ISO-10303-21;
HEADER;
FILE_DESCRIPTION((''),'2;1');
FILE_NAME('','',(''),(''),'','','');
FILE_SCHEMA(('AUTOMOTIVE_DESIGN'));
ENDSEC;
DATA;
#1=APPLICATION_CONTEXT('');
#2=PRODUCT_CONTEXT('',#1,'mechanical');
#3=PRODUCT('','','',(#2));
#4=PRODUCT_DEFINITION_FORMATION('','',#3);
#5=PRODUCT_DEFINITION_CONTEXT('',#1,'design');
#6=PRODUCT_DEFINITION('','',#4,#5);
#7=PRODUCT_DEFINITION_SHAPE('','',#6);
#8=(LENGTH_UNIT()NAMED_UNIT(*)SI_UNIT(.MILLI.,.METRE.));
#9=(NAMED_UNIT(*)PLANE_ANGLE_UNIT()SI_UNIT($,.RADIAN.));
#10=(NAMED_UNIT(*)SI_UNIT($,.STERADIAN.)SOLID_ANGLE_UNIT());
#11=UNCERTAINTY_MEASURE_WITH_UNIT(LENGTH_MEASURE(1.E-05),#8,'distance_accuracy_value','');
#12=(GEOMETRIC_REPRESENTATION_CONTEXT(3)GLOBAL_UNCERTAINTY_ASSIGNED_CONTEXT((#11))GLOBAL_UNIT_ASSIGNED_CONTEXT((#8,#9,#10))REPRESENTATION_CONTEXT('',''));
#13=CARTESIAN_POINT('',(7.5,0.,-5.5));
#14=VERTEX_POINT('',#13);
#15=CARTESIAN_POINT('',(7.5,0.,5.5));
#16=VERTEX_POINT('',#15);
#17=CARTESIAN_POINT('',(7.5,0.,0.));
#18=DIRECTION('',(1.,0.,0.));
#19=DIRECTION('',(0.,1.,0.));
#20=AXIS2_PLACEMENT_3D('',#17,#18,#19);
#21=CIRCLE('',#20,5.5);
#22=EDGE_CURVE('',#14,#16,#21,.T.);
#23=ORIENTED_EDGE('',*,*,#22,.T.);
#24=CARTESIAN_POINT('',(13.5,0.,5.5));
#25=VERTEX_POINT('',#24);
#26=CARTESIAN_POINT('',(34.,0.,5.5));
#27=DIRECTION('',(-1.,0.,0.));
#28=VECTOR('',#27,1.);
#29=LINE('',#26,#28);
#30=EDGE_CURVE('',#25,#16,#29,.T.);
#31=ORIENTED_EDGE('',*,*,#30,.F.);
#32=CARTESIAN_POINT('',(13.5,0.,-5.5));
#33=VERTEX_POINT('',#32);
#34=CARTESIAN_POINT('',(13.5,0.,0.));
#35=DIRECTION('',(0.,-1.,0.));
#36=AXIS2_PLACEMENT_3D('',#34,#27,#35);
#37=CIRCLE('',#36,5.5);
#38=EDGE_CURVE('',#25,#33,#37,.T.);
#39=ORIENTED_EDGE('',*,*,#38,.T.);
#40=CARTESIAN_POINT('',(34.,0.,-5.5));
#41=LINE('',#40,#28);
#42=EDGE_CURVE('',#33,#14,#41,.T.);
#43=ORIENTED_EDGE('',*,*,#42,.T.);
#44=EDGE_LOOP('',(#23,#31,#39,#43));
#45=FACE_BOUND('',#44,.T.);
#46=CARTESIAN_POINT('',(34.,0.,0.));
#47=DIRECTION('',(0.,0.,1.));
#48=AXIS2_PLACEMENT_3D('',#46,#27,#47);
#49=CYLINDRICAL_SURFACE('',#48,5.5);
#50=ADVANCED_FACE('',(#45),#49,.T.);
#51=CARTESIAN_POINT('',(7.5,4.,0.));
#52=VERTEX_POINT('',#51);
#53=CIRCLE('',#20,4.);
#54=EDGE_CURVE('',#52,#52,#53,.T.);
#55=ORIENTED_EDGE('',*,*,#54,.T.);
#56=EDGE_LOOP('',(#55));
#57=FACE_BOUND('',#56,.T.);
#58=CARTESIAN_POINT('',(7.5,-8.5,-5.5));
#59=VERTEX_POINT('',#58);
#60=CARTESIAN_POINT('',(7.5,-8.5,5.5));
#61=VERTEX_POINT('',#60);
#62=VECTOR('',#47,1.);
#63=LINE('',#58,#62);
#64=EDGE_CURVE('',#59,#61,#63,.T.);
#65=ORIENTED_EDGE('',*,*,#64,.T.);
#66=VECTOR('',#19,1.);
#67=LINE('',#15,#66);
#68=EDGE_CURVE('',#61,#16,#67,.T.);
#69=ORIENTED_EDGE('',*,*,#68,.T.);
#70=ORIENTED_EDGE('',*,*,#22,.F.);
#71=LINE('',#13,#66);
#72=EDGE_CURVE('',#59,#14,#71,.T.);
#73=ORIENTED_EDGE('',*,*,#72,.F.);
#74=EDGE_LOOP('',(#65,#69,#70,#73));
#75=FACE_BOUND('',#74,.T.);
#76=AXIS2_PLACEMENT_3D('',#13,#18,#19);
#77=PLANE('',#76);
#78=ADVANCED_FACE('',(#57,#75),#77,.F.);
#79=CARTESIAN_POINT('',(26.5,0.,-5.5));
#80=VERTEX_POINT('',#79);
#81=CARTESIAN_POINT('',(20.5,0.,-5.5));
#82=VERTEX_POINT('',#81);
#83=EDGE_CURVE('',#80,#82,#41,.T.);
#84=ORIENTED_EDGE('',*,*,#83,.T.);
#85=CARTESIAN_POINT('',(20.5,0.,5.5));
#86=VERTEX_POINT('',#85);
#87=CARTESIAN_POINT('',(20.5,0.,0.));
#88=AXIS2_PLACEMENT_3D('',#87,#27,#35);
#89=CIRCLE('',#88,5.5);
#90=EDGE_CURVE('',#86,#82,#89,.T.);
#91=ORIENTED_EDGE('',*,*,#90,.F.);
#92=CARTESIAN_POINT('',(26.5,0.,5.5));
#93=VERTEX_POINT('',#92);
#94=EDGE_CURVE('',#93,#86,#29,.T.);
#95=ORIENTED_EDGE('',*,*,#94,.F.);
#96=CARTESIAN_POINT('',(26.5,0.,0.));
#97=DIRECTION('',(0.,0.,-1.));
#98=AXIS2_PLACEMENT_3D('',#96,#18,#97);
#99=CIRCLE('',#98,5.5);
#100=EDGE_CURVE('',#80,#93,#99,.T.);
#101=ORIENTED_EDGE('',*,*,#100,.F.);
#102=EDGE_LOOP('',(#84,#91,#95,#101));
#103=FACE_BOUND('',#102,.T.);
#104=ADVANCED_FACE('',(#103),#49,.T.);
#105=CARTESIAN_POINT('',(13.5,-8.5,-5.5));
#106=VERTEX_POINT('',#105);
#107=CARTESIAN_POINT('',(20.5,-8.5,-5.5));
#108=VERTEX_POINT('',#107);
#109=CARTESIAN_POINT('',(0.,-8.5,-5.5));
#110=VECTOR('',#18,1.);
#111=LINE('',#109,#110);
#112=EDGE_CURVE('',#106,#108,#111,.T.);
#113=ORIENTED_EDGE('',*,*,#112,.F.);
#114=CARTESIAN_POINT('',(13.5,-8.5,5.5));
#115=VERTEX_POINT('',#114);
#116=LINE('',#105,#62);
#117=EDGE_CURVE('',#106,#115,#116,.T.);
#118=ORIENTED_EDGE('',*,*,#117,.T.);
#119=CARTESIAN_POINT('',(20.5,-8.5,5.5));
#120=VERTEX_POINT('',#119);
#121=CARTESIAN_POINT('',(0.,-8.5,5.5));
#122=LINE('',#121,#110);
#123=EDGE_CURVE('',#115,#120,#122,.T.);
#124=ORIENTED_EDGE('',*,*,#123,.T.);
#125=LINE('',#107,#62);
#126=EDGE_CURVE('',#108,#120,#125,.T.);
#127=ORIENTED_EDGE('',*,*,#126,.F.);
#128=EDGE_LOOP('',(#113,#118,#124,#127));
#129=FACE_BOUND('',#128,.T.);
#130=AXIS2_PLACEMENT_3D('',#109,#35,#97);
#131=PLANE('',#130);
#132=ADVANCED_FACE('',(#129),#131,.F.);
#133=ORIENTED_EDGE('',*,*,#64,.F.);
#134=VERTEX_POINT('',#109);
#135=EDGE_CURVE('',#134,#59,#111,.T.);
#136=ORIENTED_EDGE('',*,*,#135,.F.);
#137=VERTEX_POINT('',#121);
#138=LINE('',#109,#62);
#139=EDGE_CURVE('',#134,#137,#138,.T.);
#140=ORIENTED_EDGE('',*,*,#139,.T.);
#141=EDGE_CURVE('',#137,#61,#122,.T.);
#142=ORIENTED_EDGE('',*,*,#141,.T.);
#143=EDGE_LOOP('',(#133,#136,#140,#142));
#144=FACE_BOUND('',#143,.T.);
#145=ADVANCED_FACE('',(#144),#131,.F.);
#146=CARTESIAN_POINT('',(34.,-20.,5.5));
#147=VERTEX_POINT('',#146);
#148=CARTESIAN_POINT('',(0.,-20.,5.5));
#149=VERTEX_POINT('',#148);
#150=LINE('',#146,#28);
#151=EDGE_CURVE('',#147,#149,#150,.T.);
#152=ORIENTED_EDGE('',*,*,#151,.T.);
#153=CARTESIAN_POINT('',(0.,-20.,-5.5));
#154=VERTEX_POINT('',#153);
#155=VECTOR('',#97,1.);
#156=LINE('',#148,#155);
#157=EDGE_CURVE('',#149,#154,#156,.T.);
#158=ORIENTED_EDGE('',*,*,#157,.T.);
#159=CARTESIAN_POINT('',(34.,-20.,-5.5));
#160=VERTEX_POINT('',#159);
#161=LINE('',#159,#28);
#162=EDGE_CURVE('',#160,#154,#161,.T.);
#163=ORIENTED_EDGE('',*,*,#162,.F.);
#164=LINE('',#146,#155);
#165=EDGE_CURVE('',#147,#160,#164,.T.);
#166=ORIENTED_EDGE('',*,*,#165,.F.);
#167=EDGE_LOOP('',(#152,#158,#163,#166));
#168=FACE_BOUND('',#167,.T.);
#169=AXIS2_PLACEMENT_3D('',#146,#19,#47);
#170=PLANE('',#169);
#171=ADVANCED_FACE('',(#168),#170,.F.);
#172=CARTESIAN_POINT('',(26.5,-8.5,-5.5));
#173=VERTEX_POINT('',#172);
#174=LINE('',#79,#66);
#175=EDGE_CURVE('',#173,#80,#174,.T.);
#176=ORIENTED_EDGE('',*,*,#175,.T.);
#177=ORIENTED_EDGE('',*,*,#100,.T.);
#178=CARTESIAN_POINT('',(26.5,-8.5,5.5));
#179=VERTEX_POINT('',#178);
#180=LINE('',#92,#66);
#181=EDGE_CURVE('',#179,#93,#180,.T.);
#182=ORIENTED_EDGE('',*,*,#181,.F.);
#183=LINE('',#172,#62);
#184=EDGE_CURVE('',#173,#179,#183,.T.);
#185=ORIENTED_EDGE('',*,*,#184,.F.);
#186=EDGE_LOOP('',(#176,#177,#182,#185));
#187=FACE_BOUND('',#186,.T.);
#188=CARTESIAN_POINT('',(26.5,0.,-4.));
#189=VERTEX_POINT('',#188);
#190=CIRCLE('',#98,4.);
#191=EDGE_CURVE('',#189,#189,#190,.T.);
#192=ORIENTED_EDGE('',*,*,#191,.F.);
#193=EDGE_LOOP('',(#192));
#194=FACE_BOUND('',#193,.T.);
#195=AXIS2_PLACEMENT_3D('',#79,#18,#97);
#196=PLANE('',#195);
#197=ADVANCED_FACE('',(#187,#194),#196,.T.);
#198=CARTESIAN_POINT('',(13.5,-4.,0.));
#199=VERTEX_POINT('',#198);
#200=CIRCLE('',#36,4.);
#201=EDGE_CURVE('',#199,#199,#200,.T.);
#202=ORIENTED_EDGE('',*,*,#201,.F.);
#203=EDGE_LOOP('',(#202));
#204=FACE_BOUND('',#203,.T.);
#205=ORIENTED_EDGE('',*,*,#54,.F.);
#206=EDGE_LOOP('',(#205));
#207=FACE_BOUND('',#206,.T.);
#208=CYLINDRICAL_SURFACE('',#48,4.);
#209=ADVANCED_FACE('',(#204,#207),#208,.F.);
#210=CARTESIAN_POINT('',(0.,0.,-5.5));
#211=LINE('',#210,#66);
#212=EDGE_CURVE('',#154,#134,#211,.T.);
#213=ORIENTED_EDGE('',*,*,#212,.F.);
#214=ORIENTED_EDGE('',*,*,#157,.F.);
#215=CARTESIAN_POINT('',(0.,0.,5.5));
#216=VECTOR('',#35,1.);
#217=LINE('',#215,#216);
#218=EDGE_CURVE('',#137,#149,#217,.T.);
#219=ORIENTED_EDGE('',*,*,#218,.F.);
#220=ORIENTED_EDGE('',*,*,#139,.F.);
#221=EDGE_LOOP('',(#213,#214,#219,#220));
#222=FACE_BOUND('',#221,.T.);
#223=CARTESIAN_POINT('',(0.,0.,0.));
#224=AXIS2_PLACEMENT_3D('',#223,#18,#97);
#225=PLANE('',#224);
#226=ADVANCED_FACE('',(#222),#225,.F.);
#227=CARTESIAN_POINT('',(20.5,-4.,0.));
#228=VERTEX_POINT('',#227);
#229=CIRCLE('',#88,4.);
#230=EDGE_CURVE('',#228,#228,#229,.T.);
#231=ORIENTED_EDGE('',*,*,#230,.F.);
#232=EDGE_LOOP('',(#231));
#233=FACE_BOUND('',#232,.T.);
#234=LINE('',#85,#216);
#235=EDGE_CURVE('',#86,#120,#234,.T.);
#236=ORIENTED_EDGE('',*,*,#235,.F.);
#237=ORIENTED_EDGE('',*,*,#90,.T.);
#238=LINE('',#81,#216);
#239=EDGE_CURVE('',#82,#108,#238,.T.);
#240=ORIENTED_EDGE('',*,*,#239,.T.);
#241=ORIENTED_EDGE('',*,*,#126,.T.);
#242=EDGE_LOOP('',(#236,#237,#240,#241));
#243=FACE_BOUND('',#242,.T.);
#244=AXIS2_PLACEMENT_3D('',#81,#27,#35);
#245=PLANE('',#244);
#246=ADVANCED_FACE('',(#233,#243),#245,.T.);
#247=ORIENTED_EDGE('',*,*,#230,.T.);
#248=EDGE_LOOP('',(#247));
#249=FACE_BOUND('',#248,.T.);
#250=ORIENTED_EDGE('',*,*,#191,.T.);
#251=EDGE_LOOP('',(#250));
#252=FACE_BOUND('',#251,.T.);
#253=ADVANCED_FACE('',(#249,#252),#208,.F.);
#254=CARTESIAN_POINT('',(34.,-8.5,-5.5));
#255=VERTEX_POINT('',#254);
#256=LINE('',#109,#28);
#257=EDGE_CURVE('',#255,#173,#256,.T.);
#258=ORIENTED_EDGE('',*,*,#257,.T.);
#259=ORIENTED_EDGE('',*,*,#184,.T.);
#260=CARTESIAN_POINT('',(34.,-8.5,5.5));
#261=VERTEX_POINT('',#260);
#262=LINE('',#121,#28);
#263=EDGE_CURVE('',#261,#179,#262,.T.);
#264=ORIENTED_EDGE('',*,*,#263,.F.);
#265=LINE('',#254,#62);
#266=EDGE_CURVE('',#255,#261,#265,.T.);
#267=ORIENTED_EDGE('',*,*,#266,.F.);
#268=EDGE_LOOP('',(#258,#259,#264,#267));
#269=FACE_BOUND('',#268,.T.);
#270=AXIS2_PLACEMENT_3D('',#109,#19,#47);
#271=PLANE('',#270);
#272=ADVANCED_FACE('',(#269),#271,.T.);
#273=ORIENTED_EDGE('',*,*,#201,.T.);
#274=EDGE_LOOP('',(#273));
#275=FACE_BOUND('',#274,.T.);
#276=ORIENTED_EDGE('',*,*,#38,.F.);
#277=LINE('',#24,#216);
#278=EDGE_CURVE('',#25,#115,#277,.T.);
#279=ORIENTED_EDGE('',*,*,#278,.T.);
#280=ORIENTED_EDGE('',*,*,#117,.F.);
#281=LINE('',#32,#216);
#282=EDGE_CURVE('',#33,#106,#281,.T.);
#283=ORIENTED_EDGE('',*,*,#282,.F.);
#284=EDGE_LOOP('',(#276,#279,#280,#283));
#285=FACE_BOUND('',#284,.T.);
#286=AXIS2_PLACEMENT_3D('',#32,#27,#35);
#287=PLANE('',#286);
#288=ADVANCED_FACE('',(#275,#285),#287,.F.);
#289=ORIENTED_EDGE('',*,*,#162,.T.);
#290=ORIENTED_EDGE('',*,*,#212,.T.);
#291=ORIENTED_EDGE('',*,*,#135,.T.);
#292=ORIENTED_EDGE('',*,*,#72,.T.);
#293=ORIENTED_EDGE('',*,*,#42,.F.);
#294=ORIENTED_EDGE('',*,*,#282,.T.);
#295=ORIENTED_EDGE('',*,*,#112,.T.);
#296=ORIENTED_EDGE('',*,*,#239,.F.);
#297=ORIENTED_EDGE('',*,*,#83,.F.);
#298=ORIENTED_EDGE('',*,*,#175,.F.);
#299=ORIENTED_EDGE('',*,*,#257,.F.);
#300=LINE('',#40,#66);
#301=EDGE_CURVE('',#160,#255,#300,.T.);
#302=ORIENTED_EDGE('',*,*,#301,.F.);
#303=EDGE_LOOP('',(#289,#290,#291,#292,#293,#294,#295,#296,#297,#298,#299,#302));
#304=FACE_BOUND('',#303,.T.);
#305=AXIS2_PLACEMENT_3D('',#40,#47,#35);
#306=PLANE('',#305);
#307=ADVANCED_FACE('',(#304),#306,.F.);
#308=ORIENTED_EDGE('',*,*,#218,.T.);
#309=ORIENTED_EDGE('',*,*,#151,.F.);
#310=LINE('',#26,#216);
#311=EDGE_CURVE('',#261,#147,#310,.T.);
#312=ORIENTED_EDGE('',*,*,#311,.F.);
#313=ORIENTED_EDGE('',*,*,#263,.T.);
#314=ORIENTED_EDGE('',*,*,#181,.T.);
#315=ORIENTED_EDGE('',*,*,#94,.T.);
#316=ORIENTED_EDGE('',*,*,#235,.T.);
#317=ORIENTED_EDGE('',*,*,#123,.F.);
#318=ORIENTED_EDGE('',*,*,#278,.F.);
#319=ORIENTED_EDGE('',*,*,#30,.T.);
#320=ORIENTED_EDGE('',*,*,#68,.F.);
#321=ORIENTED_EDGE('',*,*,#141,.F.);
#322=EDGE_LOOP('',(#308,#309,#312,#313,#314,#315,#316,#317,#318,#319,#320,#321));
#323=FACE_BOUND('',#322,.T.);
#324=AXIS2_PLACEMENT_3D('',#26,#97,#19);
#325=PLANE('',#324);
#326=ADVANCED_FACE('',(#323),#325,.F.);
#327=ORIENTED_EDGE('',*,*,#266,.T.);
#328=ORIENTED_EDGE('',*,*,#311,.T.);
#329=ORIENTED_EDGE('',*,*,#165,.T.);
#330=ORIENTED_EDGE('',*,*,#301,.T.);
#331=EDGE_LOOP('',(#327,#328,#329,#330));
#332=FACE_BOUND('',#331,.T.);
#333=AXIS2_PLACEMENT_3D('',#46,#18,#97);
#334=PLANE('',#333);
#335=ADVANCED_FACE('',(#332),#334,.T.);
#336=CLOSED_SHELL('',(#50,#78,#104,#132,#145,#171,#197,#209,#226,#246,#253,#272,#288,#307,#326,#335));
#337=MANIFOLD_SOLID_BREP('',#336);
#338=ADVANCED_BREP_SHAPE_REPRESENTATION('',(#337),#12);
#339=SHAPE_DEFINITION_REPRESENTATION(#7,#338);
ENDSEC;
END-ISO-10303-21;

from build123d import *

# Parameters (mm, degrees)
SKETCH_1_R          = 4
EXTRUDE_1_DEPTH     = 34
SKETCH_2_W          = 7.5
SKETCH_2_H          = 14
SKETCH_2_W_2        = 3.5
CUT_EXTRUDE_2_DEPTH = 41.951190459


with BuildPart() as part:
    # 草图1 → 凸台-拉伸1 (new body)
    with BuildSketch(Plane(origin=(0, 0, 0), x_dir=(0, 0, -1), z_dir=(1, 0, 0))):
        with BuildLine():
            Line((-5.5, 0), (-5.5, -20))
            Line((-5.5, -20), (5.5, -20))
            Line((5.5, -20), (5.5, 0))
            ThreePointArc((5.5, 0), (0, 5.5), (-5.5, 0))
        make_face()
        Circle(SKETCH_1_R, mode=Mode.SUBTRACT)
    extrude(amount=EXTRUDE_1_DEPTH)

    # 草图2 → 切除-拉伸2 (cut, through all)
    with BuildSketch(Plane.XY.offset(5.5)):
        with Locations((3.75, -1.5)):
            Rectangle(SKETCH_2_W, SKETCH_2_H)
        with Locations((18.75, -1.5)):
            Rectangle(SKETCH_2_W_2, SKETCH_2_H)
        with Locations((15.25, -1.5)):
            Rectangle(SKETCH_2_W_2, SKETCH_2_H)
        with Locations((30.25, -1.5)):
            Rectangle(SKETCH_2_W, SKETCH_2_H)
    extrude(amount=-CUT_EXTRUDE_2_DEPTH, mode=Mode.SUBTRACT)


solid = part.part
